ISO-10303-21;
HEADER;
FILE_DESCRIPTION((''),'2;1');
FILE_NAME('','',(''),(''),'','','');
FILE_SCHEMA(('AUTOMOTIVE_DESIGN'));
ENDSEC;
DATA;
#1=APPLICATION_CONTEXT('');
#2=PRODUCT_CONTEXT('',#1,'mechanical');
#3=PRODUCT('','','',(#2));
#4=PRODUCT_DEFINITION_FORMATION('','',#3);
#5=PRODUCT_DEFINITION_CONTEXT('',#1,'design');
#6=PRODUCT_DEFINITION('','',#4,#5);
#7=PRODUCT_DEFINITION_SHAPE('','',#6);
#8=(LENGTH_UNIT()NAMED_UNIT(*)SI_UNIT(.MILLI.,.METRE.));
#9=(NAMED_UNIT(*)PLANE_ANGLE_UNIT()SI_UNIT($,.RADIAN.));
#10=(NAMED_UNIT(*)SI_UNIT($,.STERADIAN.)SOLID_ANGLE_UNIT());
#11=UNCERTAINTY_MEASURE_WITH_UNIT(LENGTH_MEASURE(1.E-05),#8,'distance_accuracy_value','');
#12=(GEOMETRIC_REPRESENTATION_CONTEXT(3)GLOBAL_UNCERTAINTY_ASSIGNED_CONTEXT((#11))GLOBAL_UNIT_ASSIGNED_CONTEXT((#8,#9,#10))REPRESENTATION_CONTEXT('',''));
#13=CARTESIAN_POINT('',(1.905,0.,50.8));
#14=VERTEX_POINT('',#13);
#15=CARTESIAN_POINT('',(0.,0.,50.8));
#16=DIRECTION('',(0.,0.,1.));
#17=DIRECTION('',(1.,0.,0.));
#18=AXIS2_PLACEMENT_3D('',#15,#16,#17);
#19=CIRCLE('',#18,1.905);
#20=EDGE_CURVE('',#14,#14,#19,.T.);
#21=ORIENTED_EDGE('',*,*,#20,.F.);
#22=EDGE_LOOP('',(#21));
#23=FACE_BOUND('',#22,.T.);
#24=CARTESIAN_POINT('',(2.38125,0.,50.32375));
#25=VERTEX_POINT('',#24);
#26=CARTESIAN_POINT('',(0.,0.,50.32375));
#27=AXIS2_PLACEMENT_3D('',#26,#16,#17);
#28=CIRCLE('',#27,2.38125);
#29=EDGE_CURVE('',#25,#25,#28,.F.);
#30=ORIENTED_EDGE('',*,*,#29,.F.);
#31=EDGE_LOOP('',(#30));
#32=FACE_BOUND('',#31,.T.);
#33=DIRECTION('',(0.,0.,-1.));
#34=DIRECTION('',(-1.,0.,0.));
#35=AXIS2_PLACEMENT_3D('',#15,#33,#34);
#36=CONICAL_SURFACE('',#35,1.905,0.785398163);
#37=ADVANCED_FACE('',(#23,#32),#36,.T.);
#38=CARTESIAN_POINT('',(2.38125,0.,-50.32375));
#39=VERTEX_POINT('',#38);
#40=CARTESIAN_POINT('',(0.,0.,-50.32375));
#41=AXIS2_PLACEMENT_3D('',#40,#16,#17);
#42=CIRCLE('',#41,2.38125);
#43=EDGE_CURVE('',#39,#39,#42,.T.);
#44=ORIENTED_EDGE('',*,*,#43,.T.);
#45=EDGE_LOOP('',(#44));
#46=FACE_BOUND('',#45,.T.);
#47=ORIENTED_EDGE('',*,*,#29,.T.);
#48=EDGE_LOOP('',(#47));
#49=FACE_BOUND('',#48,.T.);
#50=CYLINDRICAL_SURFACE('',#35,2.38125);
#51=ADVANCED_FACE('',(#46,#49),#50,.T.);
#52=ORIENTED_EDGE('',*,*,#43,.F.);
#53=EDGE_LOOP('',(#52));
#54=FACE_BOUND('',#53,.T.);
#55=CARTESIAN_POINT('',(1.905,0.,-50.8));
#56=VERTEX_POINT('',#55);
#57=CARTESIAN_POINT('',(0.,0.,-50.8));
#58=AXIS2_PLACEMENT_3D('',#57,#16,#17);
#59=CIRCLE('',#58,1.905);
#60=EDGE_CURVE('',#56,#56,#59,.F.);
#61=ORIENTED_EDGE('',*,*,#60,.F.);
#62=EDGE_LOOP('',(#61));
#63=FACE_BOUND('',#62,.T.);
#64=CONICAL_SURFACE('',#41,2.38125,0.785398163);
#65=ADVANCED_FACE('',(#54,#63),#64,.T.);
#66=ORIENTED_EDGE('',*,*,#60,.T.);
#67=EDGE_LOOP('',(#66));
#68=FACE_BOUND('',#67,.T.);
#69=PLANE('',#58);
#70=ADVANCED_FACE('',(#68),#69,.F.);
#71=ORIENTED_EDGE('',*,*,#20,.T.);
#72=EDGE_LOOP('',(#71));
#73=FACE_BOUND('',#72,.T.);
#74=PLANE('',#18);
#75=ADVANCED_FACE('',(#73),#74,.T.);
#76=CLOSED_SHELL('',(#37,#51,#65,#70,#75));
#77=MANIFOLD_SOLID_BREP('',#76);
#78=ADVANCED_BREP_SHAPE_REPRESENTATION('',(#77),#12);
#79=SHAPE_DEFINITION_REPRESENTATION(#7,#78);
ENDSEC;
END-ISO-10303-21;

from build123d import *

# Parameters (mm, degrees)
SKETCH1_R      = 2.38125
EXTRUDE1_DEPTH = 50.8
CHAMFER1_SIZE  = 0.47625


with BuildPart() as part:
    # Sketch1 → Extrude1 (new body, symmetric)
    with BuildSketch(Plane.XY):
        Circle(SKETCH1_R)
    extrude(amount=EXTRUDE1_DEPTH, both=True)

    # Chamfer1
    chamfer1_edges = [part.edges().sort_by_distance(p)[0] for p in [
        (-2.38125, 0, -50.8),
        (-2.38125, 0, 50.8),
    ]]
    chamfer(chamfer1_edges, length=CHAMFER1_SIZE)


solid = part.part
